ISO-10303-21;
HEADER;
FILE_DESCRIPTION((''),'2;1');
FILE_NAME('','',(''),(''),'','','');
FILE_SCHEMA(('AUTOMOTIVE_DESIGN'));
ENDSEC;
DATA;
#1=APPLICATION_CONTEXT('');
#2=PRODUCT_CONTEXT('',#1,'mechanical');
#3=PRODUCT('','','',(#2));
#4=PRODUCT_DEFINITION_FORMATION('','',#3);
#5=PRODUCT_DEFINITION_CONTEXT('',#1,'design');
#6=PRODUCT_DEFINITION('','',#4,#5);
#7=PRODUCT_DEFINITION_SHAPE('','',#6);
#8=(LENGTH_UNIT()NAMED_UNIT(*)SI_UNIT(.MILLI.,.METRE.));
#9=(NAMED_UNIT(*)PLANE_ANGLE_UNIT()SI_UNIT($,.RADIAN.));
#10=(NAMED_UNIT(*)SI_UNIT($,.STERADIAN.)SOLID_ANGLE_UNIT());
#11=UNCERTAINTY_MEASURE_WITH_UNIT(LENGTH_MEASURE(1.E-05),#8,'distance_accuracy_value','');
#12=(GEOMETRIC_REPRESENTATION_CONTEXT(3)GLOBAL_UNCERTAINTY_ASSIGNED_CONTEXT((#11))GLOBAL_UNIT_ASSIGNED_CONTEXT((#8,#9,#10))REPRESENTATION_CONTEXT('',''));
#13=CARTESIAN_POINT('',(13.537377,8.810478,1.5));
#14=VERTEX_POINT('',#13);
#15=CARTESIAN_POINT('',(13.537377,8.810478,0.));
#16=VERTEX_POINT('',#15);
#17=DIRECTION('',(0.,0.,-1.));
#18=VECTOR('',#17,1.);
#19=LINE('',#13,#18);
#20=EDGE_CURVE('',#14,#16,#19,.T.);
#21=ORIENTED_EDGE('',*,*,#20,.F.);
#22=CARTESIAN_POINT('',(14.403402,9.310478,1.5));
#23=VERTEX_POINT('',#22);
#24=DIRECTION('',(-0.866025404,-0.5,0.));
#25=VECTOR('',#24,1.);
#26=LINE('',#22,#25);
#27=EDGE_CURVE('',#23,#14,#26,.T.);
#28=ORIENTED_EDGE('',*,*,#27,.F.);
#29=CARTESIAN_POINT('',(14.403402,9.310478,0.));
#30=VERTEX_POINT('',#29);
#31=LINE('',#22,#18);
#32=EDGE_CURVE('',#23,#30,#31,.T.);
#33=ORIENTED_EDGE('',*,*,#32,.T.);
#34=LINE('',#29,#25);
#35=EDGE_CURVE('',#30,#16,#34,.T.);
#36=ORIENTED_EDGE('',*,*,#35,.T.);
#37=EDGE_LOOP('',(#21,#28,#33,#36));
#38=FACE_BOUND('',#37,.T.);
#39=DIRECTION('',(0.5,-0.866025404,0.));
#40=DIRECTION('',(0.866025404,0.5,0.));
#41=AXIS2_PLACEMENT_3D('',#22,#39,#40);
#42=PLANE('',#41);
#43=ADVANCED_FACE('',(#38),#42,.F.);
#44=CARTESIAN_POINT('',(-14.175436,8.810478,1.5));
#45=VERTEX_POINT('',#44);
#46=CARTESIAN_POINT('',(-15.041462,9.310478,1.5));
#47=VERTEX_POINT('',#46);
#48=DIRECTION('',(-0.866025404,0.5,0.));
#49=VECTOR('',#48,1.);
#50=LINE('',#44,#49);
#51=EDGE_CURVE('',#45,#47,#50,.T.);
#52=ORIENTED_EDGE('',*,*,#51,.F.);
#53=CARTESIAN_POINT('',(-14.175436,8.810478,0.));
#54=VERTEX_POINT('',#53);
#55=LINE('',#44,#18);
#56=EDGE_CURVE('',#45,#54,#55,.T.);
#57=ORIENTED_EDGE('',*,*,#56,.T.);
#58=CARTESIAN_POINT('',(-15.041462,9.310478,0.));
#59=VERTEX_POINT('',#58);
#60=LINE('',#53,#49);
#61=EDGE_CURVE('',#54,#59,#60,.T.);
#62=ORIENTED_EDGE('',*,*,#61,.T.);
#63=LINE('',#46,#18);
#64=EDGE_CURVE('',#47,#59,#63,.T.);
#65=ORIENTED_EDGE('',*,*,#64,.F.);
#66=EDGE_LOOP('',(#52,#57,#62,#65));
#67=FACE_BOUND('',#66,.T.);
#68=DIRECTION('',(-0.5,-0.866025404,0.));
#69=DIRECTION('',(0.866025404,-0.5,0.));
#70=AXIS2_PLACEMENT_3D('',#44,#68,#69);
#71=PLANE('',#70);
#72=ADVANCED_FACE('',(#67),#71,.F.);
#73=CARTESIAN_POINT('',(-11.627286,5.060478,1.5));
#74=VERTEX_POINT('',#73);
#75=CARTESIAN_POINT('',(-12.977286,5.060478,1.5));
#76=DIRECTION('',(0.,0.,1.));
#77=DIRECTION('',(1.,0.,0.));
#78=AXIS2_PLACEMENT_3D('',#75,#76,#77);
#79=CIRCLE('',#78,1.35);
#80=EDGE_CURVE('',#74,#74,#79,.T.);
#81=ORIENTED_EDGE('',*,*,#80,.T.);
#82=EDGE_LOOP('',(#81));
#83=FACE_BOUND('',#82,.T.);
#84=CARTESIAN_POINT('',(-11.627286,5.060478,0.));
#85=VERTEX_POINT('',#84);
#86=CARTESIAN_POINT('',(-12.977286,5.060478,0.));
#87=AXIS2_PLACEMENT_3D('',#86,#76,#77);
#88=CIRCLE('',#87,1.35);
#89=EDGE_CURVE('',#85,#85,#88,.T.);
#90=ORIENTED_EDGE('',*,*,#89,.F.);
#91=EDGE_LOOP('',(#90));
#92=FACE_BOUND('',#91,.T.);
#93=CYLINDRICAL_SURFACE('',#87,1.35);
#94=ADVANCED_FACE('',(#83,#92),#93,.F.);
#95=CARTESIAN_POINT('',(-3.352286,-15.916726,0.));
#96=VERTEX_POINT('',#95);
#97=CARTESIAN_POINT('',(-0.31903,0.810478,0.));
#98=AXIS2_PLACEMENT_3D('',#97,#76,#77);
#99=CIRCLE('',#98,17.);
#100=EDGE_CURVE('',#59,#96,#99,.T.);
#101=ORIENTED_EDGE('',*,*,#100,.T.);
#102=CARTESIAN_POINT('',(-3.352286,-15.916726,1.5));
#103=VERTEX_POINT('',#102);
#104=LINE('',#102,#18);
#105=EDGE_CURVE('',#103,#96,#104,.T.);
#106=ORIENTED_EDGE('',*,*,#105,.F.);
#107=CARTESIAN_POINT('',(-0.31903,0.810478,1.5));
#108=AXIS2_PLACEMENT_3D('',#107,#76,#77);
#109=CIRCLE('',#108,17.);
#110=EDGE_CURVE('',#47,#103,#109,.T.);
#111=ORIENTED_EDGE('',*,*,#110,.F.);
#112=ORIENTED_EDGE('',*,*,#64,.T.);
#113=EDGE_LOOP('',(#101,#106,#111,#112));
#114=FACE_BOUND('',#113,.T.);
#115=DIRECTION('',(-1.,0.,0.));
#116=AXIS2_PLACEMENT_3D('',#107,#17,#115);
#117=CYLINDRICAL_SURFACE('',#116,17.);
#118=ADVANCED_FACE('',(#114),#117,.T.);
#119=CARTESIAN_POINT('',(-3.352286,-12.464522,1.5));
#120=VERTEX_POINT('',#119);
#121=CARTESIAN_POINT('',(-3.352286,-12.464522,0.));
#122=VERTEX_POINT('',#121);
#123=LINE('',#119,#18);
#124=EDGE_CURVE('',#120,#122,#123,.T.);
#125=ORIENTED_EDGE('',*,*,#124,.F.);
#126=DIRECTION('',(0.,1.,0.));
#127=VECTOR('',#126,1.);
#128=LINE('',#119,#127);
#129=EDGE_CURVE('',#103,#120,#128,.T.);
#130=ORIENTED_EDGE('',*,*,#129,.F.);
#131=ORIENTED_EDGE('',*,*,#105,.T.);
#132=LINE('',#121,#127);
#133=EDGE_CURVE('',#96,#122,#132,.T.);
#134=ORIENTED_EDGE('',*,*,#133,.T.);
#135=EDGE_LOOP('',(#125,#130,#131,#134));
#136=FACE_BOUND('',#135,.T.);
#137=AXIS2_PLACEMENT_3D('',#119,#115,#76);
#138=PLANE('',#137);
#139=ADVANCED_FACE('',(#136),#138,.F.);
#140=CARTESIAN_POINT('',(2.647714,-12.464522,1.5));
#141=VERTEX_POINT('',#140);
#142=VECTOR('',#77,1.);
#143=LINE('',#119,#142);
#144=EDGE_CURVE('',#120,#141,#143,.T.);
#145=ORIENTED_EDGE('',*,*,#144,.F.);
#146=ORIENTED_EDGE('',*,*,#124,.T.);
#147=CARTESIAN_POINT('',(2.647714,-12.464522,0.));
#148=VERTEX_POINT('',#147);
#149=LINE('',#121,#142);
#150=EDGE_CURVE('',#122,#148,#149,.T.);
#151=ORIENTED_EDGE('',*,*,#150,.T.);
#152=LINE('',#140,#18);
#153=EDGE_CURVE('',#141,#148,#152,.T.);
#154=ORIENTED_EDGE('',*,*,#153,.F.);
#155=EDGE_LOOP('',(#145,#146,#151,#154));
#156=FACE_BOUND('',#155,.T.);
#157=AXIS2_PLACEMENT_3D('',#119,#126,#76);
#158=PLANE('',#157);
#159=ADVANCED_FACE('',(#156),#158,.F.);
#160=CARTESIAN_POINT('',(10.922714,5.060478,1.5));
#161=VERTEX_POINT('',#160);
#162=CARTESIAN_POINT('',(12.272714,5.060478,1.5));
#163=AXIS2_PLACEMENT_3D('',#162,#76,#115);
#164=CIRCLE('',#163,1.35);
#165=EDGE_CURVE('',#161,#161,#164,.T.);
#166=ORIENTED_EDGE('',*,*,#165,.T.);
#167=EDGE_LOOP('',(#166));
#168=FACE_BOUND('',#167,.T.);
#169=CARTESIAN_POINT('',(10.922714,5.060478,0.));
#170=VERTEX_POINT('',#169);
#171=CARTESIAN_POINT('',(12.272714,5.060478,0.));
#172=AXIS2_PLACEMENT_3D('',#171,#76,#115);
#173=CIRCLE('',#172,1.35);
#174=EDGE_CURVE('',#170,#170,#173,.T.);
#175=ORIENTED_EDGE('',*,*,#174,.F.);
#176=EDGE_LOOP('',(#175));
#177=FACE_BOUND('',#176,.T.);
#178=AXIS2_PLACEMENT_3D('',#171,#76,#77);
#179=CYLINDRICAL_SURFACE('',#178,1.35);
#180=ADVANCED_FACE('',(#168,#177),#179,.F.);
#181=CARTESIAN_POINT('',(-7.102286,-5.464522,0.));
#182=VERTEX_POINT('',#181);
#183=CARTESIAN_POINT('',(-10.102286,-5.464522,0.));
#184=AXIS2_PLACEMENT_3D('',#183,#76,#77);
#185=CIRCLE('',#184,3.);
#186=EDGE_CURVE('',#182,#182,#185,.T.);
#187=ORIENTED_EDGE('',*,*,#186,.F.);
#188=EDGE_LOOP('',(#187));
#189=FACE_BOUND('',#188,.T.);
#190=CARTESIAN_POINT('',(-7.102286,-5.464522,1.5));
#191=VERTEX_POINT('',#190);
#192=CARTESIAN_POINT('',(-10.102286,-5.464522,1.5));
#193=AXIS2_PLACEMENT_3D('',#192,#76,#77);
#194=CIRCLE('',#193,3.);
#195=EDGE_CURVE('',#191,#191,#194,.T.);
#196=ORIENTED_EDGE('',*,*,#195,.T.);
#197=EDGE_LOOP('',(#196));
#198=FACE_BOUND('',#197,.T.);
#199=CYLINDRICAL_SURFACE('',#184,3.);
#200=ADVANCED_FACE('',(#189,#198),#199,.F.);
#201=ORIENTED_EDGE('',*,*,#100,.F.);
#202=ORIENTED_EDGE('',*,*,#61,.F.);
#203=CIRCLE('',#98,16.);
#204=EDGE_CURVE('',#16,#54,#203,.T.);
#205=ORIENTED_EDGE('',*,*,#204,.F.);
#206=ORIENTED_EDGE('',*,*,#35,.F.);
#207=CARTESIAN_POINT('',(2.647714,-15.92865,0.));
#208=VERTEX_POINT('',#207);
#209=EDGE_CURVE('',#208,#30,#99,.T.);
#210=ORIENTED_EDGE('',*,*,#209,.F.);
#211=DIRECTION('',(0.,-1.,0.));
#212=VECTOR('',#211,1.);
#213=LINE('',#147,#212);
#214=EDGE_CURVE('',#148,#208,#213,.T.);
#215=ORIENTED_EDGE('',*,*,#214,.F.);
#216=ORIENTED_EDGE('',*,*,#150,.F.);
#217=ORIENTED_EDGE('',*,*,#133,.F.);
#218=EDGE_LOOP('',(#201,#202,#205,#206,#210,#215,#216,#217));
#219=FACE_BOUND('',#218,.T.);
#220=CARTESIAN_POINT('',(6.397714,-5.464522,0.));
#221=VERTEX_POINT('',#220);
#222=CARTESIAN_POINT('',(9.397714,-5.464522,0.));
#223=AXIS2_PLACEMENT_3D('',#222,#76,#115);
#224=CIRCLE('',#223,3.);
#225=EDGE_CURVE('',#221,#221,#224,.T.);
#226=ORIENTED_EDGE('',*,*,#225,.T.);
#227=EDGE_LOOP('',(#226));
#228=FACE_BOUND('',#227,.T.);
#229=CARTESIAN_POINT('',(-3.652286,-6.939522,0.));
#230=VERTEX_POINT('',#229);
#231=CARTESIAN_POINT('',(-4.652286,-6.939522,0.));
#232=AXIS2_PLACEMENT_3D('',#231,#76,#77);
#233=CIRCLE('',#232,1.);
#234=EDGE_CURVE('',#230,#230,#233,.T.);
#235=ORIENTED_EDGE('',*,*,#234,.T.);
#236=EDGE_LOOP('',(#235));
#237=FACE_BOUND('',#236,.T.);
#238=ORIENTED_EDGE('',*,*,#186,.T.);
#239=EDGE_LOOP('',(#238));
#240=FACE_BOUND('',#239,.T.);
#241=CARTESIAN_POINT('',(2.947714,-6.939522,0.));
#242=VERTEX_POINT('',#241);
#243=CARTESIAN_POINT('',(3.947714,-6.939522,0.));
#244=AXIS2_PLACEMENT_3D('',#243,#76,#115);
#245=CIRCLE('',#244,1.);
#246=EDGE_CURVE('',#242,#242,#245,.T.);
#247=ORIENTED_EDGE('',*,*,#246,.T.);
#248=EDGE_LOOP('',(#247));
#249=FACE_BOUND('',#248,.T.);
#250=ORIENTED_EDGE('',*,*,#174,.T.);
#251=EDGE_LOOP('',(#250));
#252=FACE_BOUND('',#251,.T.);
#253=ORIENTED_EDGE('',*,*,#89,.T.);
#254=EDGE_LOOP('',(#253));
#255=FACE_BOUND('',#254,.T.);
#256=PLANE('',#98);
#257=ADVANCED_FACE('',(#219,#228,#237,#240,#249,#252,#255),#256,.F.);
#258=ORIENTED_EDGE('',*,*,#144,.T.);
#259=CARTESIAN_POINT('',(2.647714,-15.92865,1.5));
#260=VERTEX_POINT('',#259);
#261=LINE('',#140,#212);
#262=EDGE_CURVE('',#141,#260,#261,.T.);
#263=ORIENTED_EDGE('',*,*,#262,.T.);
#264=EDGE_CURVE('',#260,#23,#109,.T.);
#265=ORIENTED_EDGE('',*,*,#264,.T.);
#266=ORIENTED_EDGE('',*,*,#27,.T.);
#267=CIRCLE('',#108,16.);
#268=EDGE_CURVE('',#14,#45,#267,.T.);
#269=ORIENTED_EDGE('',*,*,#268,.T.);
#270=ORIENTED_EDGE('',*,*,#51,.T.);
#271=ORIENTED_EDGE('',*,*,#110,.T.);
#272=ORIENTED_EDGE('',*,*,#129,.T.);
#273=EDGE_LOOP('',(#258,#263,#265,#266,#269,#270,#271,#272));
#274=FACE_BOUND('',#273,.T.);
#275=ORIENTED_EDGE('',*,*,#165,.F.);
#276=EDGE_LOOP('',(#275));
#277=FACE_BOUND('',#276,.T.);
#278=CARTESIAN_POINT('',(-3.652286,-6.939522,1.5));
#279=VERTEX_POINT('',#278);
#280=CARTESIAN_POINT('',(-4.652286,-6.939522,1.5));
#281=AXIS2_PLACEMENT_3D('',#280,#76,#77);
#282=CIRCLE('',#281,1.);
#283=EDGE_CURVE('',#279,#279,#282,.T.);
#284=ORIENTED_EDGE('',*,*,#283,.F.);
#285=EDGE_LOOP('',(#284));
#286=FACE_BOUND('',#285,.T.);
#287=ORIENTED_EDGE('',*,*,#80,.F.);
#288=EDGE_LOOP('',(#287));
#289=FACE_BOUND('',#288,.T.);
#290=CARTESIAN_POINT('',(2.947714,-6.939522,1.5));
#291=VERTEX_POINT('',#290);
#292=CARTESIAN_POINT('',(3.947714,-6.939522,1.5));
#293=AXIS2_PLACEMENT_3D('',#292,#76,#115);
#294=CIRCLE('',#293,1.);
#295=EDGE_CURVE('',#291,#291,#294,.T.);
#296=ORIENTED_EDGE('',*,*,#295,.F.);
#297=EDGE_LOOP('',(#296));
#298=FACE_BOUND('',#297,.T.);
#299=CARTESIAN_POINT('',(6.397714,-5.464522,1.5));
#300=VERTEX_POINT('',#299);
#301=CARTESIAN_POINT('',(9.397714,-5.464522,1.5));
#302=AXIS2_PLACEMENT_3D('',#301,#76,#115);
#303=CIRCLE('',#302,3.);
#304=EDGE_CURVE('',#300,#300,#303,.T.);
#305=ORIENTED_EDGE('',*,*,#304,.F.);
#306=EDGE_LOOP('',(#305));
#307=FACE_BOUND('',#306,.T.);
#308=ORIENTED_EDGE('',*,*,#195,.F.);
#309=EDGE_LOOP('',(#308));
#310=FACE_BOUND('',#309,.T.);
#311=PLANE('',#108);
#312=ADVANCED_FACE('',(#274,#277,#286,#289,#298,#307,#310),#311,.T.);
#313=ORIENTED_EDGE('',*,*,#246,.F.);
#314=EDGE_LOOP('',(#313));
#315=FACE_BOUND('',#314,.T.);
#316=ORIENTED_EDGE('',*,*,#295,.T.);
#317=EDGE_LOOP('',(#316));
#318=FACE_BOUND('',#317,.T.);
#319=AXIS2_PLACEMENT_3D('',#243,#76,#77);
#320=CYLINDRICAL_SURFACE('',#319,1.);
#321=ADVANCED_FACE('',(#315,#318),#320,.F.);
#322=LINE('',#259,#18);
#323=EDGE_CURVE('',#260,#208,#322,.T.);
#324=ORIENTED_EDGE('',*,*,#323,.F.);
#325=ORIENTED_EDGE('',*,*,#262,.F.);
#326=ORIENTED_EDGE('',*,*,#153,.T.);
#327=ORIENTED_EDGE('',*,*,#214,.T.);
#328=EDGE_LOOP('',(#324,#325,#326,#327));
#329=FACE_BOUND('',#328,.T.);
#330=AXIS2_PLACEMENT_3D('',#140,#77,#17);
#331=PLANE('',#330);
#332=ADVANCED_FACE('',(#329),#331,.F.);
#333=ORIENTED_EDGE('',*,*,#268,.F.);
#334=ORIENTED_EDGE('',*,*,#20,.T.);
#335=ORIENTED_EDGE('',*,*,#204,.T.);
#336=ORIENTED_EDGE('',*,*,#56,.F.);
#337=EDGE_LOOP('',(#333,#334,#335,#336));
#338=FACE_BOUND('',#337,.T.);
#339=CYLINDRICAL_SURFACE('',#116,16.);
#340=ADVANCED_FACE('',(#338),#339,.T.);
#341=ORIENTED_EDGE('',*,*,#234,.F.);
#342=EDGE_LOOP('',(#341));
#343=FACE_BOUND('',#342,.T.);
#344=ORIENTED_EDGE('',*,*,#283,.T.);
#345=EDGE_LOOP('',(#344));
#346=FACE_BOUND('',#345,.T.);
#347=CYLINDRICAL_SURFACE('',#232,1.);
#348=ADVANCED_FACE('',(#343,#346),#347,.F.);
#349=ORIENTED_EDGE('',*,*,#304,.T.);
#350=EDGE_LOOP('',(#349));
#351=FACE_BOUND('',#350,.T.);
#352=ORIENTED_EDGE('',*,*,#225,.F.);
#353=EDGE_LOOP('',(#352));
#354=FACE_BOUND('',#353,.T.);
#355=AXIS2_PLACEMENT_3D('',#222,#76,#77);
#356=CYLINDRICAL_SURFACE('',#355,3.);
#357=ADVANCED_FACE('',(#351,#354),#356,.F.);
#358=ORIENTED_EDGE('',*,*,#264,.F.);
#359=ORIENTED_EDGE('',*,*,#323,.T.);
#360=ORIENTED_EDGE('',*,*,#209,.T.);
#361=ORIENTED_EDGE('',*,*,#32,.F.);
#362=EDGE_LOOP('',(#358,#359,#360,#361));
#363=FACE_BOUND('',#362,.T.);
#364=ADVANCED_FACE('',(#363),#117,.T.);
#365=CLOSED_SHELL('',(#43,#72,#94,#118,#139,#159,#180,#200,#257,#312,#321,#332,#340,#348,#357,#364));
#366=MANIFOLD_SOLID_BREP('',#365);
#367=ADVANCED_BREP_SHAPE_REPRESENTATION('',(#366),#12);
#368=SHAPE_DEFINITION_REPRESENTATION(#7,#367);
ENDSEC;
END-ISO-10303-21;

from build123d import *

# Parameters (mm, degrees)
BOSS_EXTRUDE1_DEPTH = 1.5
SKETCH2_R           = 3
SKETCH2_R_2         = 1.35
SKETCH2_R_3         = 1
CUT_EXTRUDE1_DEPTH  = 25.182451908


with BuildPart() as part:
    # Sketch1 → Boss-Extrude1 (new body)
    with BuildSketch(Plane.XY):
        with BuildLine():
            Line((-3.352285907, -12.464521672), (2.647714093, -12.464521672))
            Line((2.647714093, -12.464521672), (2.647714093, -15.928650375))
            ThreePointArc((2.647714093, -15.928650375), (15.091360711, -6.367255259), (14.403401907, 9.310478328))
            Line((14.403401907, 9.310478328), (13.537376503, 8.810478328))
            ThreePointArc((13.537376503, 8.810478328), (-0.319029957, 16.810478328), (-14.175436418, 8.810478328))
            Line((-14.175436418, 8.810478328), (-15.041461822, 9.310478328))
            ThreePointArc((-15.041461822, 9.310478328), (-15.743655386, -6.336614115), (-3.352285907, -15.916725812))
            Line((-3.352285907, -15.916725812), (-3.352285907, -12.464521672))
        make_face()
    extrude(amount=BOSS_EXTRUDE1_DEPTH)

    # Sketch2 → Cut-Extrude1 (cut, through all)
    with BuildSketch(Plane.XY.offset(1.5)):
        with Locations((-10.102285907, -5.464521672)):
            Circle(SKETCH2_R)
        with Locations(Location((9.397714093, -5.464521672, 0), (0, 0, 180))):
            Circle(SKETCH2_R)
        with Locations((-12.977285907, 5.060478328)):
            Circle(SKETCH2_R_2)
        with Locations(Location((12.272714093, 5.060478328, 0), (0, 0, 180))):
            Circle(SKETCH2_R_2)
        with Locations((-4.652285907, -6.939521672)):
            Circle(SKETCH2_R_3)
        with Locations(Location((3.947714093, -6.939521672, 0), (0, 0, 180))):
            Circle(SKETCH2_R_3)
    extrude(amount=-CUT_EXTRUDE1_DEPTH, mode=Mode.SUBTRACT)


solid = part.part
